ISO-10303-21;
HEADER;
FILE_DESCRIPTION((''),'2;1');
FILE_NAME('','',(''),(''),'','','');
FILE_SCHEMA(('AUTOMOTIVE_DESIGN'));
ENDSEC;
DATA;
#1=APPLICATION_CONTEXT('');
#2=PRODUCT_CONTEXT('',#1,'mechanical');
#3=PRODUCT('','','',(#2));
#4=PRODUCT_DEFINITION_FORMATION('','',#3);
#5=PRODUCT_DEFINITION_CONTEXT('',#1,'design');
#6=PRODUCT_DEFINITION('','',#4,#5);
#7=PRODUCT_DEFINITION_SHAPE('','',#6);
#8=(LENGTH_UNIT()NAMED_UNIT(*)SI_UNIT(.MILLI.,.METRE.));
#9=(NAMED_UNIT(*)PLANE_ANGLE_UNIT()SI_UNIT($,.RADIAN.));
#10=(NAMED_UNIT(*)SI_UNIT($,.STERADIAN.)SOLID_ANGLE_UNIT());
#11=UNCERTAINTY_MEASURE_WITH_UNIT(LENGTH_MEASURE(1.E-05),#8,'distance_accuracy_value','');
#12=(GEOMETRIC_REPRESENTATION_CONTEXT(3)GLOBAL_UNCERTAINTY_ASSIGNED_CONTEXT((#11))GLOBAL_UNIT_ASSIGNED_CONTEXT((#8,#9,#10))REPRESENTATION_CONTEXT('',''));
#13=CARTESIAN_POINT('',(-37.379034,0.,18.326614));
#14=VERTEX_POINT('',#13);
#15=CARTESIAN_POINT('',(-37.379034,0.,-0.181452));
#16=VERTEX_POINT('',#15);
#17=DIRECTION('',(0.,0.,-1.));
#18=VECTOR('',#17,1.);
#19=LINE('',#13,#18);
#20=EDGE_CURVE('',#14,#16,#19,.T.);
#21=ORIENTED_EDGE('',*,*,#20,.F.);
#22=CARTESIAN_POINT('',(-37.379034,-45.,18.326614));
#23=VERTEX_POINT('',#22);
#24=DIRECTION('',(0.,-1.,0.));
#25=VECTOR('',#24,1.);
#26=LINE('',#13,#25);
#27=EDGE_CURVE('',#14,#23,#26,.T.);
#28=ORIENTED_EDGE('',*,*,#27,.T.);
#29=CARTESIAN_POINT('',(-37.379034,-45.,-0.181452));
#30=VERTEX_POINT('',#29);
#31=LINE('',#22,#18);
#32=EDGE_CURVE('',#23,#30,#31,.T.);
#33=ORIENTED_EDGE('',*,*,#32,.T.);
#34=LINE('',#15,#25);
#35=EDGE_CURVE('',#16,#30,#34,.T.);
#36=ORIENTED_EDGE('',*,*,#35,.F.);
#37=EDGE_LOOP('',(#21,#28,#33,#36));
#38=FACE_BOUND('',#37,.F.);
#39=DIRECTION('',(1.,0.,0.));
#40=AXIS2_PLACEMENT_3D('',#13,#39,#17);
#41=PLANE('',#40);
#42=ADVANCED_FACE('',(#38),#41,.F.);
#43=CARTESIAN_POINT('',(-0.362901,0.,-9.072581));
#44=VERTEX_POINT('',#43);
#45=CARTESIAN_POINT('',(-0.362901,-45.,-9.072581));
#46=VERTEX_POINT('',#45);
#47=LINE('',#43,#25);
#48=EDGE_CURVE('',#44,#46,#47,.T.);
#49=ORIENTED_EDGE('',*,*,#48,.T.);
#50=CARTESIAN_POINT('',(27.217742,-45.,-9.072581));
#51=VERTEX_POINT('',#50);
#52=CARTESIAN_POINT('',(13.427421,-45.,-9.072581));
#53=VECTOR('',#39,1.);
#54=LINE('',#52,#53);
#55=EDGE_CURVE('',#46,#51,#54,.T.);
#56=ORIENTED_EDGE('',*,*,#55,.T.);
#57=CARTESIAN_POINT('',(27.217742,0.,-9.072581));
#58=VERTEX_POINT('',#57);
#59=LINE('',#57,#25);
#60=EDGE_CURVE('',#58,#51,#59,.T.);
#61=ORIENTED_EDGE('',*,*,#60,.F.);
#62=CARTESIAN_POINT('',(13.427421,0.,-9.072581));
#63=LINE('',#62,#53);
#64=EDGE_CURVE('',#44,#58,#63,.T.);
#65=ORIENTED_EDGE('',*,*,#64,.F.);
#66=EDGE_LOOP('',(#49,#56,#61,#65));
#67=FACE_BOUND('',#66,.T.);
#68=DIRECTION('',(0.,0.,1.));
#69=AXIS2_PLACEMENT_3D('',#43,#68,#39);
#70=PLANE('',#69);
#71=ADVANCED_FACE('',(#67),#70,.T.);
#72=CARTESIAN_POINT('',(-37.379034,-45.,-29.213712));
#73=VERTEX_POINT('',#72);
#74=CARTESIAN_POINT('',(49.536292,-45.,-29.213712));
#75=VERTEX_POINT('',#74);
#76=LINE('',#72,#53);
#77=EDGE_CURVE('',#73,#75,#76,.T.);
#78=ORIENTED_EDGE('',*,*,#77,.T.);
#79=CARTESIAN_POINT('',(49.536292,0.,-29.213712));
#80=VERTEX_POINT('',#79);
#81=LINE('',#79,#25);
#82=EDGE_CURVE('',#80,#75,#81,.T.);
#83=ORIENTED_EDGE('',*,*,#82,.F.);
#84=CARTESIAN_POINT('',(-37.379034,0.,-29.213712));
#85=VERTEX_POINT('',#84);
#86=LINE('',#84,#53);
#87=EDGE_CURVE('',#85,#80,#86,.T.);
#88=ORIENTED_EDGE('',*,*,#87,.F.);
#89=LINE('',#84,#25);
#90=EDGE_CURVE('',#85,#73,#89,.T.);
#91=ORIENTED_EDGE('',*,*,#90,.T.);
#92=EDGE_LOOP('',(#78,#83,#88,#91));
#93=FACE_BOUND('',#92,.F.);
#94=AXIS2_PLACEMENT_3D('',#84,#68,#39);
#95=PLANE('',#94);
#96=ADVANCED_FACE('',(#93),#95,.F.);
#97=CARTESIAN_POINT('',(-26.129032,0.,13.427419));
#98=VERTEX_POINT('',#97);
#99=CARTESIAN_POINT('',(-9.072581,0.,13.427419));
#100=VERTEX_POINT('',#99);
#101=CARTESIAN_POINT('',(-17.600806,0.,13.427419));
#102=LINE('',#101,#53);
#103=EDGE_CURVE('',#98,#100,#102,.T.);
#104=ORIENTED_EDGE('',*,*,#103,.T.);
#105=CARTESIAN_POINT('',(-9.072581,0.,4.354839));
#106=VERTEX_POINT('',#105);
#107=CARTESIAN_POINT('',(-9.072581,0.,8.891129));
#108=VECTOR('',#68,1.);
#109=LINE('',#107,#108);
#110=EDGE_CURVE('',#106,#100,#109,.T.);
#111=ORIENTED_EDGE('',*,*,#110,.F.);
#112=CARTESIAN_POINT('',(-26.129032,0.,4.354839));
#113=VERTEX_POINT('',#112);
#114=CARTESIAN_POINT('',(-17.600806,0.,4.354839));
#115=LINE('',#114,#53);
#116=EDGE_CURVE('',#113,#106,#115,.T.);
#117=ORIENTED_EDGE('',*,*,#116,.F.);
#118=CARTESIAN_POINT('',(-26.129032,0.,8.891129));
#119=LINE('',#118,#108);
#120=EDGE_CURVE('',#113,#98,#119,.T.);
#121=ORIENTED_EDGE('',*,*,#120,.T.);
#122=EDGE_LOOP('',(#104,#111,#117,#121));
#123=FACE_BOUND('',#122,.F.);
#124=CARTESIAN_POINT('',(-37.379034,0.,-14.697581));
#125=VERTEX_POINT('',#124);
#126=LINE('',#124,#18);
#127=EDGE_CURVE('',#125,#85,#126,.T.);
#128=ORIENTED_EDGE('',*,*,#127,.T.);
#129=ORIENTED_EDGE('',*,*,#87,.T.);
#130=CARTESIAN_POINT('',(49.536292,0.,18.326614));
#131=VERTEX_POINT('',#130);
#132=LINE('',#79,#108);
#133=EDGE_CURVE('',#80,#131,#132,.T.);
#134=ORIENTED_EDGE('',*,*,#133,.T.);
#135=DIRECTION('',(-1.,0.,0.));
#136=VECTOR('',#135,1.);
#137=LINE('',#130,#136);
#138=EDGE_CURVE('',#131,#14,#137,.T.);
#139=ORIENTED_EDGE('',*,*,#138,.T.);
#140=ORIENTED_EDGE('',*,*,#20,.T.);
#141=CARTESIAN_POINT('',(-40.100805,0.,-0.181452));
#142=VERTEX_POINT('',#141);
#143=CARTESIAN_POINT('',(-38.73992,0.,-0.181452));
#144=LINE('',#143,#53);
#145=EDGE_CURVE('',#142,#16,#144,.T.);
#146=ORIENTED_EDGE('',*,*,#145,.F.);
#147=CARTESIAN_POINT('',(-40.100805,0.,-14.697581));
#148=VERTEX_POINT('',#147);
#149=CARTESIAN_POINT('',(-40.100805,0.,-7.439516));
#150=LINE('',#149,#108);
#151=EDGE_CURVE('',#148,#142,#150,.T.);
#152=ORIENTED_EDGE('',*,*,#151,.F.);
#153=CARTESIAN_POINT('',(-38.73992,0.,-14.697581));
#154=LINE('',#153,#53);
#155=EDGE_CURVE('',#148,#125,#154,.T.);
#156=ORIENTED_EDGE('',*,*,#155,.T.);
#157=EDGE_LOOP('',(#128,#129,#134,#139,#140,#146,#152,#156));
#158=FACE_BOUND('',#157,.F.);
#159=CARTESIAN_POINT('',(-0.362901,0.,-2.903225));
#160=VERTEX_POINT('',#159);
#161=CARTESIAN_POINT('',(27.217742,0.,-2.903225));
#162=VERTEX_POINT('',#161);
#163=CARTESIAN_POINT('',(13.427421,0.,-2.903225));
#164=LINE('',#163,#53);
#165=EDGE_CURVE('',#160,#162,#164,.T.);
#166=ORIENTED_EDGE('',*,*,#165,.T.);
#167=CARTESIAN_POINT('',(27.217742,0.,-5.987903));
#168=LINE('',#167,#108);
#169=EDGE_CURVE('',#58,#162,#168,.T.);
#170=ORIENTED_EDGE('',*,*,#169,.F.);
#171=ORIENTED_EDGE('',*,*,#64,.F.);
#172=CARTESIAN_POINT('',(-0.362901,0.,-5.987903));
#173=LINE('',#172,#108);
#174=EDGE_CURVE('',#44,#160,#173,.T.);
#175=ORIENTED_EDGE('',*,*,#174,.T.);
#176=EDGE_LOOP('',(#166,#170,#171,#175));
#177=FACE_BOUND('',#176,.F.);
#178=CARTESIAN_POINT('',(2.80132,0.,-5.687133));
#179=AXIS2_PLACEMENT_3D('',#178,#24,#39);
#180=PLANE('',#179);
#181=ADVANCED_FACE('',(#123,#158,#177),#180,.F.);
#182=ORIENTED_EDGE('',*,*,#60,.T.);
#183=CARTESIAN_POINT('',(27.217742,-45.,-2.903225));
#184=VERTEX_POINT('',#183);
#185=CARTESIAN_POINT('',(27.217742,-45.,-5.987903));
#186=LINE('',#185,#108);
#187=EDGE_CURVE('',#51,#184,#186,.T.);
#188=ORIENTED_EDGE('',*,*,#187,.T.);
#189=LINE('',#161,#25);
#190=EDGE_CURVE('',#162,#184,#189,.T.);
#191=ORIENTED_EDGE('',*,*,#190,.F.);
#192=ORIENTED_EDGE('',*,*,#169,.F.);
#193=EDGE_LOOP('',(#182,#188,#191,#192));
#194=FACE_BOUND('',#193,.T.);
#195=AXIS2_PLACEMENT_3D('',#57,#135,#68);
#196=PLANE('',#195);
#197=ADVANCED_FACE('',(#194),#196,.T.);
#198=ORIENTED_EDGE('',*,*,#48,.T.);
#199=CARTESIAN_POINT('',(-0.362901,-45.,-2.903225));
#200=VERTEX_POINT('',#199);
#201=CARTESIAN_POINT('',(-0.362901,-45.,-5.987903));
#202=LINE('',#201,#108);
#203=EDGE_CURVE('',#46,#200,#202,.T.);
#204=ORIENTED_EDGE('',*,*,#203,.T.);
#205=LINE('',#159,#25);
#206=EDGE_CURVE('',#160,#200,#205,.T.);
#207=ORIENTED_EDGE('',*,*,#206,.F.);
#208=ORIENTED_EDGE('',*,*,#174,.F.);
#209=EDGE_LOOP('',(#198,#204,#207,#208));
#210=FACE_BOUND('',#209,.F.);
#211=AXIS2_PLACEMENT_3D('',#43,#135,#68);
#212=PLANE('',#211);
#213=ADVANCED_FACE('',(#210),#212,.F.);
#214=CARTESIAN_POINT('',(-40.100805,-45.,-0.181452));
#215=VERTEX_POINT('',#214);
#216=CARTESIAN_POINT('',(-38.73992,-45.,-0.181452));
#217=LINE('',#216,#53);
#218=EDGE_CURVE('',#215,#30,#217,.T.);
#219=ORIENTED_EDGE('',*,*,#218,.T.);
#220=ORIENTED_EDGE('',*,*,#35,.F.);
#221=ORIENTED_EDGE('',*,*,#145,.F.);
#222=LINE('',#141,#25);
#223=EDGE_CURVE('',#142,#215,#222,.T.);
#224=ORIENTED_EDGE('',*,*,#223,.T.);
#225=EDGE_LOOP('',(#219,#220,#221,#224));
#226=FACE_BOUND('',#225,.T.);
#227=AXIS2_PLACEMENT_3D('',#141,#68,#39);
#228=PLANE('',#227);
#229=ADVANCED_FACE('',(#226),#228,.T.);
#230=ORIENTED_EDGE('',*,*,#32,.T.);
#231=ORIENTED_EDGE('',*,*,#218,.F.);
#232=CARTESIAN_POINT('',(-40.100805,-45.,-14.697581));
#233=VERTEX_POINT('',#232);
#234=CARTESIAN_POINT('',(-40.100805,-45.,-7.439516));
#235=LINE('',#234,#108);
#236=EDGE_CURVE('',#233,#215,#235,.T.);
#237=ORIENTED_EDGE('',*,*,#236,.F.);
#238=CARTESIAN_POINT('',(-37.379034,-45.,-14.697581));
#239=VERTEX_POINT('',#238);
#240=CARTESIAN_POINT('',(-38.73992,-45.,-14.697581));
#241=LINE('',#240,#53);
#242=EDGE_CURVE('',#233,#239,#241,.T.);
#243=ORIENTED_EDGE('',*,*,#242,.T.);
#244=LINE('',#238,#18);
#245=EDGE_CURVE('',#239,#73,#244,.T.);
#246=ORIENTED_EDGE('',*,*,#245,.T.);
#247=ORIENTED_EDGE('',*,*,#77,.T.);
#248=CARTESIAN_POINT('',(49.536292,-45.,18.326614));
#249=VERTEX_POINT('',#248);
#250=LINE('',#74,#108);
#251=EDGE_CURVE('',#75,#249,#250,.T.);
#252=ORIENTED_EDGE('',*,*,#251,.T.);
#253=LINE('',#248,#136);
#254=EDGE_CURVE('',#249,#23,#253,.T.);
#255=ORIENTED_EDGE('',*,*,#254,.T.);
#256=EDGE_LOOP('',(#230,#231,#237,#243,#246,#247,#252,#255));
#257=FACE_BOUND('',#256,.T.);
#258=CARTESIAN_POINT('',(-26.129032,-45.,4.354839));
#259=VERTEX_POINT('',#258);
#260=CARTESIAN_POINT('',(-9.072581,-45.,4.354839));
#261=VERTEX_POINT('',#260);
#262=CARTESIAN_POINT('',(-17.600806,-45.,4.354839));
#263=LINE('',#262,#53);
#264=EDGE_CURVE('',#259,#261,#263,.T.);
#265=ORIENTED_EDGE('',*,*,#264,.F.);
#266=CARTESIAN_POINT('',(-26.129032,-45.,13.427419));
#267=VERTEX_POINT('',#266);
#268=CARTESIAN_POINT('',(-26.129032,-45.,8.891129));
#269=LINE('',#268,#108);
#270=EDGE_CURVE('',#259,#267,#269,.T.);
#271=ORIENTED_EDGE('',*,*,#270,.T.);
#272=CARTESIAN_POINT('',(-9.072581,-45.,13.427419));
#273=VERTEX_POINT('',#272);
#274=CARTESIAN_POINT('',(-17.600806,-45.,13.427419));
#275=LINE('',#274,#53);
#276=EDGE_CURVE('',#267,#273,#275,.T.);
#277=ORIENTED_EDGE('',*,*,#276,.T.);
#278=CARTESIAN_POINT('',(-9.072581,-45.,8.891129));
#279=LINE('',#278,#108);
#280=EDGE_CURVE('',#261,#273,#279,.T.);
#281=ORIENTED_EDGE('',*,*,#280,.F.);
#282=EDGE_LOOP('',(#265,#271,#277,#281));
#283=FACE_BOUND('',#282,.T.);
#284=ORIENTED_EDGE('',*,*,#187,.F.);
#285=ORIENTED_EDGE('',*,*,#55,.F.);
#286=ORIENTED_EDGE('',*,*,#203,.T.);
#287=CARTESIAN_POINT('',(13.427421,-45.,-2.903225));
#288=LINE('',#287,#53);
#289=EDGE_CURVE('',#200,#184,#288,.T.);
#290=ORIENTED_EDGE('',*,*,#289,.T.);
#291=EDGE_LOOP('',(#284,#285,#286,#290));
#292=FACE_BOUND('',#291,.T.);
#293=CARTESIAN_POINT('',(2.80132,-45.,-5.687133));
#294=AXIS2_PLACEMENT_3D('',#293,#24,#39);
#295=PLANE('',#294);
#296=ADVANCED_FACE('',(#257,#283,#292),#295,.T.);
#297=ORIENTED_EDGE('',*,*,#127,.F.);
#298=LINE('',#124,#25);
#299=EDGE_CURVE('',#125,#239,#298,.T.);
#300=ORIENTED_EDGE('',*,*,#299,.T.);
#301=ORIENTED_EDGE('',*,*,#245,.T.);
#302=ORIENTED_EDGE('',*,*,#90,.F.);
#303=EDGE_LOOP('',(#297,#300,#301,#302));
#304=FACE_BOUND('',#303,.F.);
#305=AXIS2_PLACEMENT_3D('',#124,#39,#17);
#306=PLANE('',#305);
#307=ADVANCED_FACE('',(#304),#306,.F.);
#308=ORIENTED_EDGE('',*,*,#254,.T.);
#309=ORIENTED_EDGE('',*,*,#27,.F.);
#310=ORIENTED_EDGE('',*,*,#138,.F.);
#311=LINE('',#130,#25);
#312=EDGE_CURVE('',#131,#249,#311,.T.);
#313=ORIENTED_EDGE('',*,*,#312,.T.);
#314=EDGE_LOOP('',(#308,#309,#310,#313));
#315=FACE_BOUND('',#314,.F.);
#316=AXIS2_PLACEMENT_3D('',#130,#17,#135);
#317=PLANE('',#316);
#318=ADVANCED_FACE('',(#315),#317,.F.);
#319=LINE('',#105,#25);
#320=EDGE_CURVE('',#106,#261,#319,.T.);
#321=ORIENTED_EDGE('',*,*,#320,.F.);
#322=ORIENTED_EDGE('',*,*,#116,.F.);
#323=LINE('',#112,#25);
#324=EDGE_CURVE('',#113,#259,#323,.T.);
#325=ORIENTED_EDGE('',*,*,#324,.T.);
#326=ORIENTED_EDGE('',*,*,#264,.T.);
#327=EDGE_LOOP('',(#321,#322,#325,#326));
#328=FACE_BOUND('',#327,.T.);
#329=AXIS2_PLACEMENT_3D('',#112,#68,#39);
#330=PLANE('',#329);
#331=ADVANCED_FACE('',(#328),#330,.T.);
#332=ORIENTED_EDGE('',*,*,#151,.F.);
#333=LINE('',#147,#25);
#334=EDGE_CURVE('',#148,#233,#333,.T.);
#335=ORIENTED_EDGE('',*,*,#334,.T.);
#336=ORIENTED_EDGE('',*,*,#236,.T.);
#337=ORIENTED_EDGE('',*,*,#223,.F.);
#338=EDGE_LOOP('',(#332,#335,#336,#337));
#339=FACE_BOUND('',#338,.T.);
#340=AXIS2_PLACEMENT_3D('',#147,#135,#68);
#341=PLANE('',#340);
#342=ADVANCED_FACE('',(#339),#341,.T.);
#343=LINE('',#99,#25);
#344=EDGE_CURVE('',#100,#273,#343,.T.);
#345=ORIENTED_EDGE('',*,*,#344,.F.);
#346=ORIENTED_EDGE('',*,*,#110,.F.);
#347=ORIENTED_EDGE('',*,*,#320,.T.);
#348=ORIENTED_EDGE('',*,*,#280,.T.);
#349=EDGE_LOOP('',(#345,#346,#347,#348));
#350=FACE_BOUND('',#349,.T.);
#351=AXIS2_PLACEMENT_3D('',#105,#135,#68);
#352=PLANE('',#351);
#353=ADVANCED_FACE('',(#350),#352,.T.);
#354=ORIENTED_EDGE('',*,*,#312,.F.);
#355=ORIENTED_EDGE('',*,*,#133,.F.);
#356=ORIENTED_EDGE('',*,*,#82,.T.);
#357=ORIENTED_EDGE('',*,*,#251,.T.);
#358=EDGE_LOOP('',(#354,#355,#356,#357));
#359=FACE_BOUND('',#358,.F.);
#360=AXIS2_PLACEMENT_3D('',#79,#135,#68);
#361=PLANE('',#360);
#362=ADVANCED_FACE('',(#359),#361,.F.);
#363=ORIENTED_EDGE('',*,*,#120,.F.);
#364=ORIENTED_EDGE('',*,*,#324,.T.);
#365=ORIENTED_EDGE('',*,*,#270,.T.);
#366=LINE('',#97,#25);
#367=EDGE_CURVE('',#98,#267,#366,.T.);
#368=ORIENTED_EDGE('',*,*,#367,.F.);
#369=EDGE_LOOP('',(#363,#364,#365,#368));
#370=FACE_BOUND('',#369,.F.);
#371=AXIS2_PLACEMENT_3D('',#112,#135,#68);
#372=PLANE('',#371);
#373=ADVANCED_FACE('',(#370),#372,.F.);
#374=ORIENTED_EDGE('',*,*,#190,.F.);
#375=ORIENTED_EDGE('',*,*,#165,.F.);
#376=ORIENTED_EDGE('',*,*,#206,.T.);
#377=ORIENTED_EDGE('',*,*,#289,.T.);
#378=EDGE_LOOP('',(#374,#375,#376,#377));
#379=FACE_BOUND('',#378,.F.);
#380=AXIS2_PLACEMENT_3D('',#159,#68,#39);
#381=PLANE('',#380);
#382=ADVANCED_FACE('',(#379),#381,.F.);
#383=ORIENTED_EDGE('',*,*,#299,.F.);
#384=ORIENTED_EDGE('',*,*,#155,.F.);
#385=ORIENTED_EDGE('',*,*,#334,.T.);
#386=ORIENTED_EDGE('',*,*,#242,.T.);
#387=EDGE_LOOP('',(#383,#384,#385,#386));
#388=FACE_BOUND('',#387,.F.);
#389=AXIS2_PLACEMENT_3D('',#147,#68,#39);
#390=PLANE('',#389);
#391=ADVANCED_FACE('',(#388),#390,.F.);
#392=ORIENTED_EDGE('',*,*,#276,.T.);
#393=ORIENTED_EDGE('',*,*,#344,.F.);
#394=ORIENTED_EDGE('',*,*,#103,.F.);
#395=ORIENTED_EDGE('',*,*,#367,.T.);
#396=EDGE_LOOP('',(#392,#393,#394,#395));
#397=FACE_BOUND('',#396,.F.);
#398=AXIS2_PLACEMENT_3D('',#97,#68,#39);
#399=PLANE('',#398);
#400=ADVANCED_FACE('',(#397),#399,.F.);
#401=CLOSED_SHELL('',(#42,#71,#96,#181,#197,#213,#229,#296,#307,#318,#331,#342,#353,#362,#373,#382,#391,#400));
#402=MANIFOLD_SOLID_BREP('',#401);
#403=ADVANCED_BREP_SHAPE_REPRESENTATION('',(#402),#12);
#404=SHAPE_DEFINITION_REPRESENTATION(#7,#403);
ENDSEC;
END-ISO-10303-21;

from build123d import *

# Parameters (mm, degrees)
F0_W     = 27.5806430727
F0_H     = 6.1693564057
F0_W_2   = 17.0564502478
F0_H_2   = 9.0725803748
F0_W_3   = 18.6895169318
F0_H_3   = 14.5161282271
F0_W_4   = 2.7217715979
F1_DEPTH = 45


with BuildPart() as f1:
    # F0 (on Front) → F1 (new body)
    with BuildSketch(Plane.XZ):
        Polygon((49.5362915099, 18.3266140521), (-37.3790338635, 18.3266140521), (-37.3790338635, -0.1814523712), (-18.6895169318, -0.1814523712), (-18.6895169318, -14.6975805983), (-37.3790338635, -14.6975805983), (-37.3790338635, -29.2137116194), (49.5362915099, -29.2137116194), align=None)
        with Locations((13.4274205193, -5.9879031032)):
            Rectangle(F0_W, F0_H, mode=Mode.SUBTRACT)
        with Locations((-17.60080643, 8.8911289349)):
            Rectangle(F0_W_2, F0_H_2, mode=Mode.SUBTRACT)
        with Locations((-28.0342753977, -7.4395164847)):
            Rectangle(F0_W_3, F0_H_3)
        with Locations((-38.7399196625, -7.4395164847)):
            Rectangle(F0_W_4, F0_H_3)
    extrude(amount=F1_DEPTH)


solid = f1.part
